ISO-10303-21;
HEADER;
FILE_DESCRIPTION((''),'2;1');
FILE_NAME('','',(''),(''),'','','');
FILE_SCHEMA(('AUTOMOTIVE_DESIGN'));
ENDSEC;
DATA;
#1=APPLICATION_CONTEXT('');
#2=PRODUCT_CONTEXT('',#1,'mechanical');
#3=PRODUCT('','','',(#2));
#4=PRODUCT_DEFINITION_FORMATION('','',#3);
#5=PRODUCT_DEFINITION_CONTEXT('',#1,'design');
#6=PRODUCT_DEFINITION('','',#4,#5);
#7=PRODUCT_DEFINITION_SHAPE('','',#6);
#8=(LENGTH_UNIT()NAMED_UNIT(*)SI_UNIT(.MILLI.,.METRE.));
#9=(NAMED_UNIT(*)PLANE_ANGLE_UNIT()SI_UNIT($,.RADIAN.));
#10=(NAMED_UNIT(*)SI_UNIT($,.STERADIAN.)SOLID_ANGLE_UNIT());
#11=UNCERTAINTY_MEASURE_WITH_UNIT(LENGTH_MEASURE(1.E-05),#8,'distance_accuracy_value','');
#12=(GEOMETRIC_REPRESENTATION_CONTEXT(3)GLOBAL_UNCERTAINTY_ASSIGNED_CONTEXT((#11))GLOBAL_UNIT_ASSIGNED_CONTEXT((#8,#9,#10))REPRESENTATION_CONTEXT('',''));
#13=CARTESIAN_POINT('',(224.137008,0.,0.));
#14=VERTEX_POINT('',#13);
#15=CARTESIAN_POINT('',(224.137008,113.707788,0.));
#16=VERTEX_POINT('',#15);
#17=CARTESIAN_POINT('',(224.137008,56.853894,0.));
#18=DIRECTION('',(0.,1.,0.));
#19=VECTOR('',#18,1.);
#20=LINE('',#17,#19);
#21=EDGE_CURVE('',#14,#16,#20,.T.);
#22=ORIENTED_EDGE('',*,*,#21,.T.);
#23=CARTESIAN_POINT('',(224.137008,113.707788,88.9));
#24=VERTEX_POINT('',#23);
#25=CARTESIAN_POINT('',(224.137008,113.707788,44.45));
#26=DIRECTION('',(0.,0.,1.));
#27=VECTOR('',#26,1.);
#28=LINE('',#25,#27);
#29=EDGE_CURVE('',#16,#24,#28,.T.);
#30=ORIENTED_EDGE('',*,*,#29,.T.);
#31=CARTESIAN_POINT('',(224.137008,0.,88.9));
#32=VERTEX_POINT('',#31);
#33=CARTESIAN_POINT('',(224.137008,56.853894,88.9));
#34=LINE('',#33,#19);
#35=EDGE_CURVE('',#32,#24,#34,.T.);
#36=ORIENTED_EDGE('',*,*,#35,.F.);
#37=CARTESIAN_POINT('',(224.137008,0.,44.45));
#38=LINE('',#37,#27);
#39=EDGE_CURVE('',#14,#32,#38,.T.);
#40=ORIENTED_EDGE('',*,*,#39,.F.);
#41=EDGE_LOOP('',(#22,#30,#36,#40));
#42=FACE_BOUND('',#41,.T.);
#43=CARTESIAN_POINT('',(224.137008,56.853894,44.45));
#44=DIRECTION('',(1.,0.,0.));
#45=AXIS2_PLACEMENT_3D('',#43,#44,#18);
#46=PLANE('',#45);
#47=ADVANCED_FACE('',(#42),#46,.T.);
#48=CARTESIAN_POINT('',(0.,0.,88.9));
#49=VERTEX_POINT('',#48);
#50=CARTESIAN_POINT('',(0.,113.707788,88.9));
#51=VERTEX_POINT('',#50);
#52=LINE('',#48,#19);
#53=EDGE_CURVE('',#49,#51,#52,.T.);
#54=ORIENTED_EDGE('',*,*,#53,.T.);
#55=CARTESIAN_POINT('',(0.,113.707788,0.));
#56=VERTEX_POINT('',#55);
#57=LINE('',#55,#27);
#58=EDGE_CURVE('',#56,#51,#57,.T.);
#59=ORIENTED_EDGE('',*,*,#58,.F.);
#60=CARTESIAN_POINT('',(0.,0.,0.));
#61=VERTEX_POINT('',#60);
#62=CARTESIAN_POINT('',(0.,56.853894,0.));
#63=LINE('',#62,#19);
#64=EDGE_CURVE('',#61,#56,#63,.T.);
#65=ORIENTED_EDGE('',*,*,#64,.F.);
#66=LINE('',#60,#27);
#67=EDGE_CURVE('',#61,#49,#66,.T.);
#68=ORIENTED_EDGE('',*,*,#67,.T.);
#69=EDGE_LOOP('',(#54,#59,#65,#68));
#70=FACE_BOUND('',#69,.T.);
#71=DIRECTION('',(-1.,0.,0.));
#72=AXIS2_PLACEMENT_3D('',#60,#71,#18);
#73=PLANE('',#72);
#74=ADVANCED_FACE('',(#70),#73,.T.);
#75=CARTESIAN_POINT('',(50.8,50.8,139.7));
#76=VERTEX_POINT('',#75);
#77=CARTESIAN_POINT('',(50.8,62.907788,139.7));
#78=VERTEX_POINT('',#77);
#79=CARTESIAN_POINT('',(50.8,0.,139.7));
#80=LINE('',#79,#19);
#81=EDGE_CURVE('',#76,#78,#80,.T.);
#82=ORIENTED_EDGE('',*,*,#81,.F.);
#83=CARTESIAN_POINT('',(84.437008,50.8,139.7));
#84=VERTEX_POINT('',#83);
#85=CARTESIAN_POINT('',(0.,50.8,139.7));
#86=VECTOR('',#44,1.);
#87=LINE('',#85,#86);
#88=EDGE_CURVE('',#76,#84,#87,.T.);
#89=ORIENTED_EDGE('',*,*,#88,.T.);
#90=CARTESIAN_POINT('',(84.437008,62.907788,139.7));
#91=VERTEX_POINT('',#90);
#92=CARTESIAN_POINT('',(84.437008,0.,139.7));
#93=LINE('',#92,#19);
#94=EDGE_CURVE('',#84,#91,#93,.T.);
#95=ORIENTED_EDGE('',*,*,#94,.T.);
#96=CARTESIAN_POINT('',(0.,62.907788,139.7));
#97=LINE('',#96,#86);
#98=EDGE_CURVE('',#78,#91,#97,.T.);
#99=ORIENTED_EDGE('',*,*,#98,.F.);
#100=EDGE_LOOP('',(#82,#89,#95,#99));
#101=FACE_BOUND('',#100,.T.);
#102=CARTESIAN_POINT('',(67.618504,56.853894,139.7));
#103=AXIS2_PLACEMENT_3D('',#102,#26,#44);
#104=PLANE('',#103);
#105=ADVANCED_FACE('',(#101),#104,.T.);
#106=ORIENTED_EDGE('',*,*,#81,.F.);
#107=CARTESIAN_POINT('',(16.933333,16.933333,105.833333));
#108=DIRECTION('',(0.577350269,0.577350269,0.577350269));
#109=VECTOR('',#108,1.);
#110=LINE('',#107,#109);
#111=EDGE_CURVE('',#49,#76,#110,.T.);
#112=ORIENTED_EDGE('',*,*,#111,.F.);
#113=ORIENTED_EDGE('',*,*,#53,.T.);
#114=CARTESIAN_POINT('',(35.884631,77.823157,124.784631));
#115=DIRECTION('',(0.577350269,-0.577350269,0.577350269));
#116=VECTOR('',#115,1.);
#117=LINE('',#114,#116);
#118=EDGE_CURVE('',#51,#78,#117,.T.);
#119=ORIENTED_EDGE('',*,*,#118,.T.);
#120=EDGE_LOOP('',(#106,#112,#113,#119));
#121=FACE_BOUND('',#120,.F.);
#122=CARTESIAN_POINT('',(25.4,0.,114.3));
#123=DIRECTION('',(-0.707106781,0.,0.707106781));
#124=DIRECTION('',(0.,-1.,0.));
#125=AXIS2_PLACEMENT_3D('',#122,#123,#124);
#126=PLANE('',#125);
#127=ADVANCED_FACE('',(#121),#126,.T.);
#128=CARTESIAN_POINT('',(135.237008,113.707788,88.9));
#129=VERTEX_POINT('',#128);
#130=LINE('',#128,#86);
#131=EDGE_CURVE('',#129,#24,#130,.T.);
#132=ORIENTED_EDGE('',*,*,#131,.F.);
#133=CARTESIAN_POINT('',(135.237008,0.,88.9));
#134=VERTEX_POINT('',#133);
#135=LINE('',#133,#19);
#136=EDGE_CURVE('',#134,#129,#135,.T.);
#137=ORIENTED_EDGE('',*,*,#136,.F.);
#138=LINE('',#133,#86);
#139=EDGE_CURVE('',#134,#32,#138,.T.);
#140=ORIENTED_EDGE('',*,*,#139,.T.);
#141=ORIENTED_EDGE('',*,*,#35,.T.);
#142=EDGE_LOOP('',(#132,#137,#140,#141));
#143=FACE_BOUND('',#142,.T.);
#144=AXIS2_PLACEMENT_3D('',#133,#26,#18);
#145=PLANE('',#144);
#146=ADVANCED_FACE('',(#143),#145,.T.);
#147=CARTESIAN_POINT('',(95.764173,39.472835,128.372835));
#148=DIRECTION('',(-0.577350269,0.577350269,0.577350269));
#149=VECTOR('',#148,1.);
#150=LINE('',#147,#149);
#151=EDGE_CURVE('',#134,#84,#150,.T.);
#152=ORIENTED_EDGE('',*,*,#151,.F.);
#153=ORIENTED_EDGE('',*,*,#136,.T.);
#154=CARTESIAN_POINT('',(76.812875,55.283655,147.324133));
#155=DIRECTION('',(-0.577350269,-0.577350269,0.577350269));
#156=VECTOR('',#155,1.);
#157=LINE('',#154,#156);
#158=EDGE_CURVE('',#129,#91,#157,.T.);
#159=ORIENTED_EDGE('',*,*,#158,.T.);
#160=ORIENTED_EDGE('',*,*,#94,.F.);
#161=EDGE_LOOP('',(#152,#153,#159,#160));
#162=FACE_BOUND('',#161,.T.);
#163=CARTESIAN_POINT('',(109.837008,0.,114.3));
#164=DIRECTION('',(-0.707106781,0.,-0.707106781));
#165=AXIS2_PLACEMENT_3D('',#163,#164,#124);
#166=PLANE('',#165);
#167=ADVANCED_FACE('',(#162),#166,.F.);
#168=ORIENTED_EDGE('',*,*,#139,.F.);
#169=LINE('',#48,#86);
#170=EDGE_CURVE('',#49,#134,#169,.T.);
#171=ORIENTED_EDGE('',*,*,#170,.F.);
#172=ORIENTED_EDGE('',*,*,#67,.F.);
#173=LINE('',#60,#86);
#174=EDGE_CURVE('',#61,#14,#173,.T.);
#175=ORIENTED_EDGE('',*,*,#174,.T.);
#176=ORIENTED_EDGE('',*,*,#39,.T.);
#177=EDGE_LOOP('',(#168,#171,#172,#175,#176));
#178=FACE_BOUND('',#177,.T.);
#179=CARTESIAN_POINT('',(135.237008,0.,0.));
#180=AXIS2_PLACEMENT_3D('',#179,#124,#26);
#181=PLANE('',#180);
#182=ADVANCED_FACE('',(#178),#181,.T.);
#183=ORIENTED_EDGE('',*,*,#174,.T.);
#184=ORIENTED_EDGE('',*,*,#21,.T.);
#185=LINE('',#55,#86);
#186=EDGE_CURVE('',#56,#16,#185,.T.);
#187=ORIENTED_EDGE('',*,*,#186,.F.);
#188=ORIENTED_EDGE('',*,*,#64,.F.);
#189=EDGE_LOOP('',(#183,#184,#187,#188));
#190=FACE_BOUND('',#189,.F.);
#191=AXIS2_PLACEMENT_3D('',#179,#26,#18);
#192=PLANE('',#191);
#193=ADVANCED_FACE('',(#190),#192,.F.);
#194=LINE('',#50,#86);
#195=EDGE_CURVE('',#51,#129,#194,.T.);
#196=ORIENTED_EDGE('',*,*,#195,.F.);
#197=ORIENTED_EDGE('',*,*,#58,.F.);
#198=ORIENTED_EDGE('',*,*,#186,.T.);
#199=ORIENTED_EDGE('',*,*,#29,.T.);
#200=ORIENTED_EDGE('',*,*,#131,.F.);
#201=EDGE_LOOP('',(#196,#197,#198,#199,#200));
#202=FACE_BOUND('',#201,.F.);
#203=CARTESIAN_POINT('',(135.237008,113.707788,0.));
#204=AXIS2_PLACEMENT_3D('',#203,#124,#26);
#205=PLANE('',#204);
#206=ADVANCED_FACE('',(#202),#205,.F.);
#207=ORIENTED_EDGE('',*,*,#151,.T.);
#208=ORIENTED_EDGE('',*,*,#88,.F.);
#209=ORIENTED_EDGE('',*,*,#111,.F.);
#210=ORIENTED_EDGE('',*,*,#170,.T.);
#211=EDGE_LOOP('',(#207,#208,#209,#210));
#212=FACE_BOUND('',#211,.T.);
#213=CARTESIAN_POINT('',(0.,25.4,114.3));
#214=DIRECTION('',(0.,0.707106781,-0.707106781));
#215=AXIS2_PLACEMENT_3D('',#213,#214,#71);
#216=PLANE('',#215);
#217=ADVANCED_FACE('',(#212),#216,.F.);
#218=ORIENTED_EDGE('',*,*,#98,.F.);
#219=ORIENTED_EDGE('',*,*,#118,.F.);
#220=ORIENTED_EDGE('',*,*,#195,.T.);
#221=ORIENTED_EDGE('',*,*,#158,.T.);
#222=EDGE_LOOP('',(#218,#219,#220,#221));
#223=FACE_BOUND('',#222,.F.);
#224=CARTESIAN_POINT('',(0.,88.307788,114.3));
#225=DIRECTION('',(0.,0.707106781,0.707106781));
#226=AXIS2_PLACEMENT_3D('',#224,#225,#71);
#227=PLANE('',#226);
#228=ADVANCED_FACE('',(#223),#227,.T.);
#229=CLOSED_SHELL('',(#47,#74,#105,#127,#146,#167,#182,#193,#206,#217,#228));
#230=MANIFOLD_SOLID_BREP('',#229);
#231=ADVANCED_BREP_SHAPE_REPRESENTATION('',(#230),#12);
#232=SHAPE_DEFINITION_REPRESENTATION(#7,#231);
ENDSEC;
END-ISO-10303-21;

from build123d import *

# Parameters (mm, degrees)
F0_W     = 135.237008
F0_H     = 113.707788
F1_DEPTH = 139.7
F2_SIZE  = 50.8
F3_W     = 113.707788
F3_H     = 88.9
F4_DEPTH = 88.9


with BuildPart() as f1:
    # F0 (on Top) → F1 (new body)
    with BuildSketch(Plane.XY):
        with Locations((67.618504, 56.853894)):
            Rectangle(F0_W, F0_H)
    extrude(amount=F1_DEPTH)

    # F2
    f2_edges = [f1.edges().sort_by_distance(p)[0] for p in [
        (0, 56.853894, 139.7),
        (67.618504, 0, 139.7),
        (135.237008, 56.853894, 139.7),
        (67.618504, 113.707788, 139.7),
    ]]
    chamfer(f2_edges, length=F2_SIZE)

    # F3 (on face) → F4 (join)
    with BuildSketch(Plane.YZ.offset(135.237008)):
        with Locations((56.853894, 44.45)):
            Rectangle(F3_W, F3_H)
    extrude(amount=F4_DEPTH)


solid = f1.part
